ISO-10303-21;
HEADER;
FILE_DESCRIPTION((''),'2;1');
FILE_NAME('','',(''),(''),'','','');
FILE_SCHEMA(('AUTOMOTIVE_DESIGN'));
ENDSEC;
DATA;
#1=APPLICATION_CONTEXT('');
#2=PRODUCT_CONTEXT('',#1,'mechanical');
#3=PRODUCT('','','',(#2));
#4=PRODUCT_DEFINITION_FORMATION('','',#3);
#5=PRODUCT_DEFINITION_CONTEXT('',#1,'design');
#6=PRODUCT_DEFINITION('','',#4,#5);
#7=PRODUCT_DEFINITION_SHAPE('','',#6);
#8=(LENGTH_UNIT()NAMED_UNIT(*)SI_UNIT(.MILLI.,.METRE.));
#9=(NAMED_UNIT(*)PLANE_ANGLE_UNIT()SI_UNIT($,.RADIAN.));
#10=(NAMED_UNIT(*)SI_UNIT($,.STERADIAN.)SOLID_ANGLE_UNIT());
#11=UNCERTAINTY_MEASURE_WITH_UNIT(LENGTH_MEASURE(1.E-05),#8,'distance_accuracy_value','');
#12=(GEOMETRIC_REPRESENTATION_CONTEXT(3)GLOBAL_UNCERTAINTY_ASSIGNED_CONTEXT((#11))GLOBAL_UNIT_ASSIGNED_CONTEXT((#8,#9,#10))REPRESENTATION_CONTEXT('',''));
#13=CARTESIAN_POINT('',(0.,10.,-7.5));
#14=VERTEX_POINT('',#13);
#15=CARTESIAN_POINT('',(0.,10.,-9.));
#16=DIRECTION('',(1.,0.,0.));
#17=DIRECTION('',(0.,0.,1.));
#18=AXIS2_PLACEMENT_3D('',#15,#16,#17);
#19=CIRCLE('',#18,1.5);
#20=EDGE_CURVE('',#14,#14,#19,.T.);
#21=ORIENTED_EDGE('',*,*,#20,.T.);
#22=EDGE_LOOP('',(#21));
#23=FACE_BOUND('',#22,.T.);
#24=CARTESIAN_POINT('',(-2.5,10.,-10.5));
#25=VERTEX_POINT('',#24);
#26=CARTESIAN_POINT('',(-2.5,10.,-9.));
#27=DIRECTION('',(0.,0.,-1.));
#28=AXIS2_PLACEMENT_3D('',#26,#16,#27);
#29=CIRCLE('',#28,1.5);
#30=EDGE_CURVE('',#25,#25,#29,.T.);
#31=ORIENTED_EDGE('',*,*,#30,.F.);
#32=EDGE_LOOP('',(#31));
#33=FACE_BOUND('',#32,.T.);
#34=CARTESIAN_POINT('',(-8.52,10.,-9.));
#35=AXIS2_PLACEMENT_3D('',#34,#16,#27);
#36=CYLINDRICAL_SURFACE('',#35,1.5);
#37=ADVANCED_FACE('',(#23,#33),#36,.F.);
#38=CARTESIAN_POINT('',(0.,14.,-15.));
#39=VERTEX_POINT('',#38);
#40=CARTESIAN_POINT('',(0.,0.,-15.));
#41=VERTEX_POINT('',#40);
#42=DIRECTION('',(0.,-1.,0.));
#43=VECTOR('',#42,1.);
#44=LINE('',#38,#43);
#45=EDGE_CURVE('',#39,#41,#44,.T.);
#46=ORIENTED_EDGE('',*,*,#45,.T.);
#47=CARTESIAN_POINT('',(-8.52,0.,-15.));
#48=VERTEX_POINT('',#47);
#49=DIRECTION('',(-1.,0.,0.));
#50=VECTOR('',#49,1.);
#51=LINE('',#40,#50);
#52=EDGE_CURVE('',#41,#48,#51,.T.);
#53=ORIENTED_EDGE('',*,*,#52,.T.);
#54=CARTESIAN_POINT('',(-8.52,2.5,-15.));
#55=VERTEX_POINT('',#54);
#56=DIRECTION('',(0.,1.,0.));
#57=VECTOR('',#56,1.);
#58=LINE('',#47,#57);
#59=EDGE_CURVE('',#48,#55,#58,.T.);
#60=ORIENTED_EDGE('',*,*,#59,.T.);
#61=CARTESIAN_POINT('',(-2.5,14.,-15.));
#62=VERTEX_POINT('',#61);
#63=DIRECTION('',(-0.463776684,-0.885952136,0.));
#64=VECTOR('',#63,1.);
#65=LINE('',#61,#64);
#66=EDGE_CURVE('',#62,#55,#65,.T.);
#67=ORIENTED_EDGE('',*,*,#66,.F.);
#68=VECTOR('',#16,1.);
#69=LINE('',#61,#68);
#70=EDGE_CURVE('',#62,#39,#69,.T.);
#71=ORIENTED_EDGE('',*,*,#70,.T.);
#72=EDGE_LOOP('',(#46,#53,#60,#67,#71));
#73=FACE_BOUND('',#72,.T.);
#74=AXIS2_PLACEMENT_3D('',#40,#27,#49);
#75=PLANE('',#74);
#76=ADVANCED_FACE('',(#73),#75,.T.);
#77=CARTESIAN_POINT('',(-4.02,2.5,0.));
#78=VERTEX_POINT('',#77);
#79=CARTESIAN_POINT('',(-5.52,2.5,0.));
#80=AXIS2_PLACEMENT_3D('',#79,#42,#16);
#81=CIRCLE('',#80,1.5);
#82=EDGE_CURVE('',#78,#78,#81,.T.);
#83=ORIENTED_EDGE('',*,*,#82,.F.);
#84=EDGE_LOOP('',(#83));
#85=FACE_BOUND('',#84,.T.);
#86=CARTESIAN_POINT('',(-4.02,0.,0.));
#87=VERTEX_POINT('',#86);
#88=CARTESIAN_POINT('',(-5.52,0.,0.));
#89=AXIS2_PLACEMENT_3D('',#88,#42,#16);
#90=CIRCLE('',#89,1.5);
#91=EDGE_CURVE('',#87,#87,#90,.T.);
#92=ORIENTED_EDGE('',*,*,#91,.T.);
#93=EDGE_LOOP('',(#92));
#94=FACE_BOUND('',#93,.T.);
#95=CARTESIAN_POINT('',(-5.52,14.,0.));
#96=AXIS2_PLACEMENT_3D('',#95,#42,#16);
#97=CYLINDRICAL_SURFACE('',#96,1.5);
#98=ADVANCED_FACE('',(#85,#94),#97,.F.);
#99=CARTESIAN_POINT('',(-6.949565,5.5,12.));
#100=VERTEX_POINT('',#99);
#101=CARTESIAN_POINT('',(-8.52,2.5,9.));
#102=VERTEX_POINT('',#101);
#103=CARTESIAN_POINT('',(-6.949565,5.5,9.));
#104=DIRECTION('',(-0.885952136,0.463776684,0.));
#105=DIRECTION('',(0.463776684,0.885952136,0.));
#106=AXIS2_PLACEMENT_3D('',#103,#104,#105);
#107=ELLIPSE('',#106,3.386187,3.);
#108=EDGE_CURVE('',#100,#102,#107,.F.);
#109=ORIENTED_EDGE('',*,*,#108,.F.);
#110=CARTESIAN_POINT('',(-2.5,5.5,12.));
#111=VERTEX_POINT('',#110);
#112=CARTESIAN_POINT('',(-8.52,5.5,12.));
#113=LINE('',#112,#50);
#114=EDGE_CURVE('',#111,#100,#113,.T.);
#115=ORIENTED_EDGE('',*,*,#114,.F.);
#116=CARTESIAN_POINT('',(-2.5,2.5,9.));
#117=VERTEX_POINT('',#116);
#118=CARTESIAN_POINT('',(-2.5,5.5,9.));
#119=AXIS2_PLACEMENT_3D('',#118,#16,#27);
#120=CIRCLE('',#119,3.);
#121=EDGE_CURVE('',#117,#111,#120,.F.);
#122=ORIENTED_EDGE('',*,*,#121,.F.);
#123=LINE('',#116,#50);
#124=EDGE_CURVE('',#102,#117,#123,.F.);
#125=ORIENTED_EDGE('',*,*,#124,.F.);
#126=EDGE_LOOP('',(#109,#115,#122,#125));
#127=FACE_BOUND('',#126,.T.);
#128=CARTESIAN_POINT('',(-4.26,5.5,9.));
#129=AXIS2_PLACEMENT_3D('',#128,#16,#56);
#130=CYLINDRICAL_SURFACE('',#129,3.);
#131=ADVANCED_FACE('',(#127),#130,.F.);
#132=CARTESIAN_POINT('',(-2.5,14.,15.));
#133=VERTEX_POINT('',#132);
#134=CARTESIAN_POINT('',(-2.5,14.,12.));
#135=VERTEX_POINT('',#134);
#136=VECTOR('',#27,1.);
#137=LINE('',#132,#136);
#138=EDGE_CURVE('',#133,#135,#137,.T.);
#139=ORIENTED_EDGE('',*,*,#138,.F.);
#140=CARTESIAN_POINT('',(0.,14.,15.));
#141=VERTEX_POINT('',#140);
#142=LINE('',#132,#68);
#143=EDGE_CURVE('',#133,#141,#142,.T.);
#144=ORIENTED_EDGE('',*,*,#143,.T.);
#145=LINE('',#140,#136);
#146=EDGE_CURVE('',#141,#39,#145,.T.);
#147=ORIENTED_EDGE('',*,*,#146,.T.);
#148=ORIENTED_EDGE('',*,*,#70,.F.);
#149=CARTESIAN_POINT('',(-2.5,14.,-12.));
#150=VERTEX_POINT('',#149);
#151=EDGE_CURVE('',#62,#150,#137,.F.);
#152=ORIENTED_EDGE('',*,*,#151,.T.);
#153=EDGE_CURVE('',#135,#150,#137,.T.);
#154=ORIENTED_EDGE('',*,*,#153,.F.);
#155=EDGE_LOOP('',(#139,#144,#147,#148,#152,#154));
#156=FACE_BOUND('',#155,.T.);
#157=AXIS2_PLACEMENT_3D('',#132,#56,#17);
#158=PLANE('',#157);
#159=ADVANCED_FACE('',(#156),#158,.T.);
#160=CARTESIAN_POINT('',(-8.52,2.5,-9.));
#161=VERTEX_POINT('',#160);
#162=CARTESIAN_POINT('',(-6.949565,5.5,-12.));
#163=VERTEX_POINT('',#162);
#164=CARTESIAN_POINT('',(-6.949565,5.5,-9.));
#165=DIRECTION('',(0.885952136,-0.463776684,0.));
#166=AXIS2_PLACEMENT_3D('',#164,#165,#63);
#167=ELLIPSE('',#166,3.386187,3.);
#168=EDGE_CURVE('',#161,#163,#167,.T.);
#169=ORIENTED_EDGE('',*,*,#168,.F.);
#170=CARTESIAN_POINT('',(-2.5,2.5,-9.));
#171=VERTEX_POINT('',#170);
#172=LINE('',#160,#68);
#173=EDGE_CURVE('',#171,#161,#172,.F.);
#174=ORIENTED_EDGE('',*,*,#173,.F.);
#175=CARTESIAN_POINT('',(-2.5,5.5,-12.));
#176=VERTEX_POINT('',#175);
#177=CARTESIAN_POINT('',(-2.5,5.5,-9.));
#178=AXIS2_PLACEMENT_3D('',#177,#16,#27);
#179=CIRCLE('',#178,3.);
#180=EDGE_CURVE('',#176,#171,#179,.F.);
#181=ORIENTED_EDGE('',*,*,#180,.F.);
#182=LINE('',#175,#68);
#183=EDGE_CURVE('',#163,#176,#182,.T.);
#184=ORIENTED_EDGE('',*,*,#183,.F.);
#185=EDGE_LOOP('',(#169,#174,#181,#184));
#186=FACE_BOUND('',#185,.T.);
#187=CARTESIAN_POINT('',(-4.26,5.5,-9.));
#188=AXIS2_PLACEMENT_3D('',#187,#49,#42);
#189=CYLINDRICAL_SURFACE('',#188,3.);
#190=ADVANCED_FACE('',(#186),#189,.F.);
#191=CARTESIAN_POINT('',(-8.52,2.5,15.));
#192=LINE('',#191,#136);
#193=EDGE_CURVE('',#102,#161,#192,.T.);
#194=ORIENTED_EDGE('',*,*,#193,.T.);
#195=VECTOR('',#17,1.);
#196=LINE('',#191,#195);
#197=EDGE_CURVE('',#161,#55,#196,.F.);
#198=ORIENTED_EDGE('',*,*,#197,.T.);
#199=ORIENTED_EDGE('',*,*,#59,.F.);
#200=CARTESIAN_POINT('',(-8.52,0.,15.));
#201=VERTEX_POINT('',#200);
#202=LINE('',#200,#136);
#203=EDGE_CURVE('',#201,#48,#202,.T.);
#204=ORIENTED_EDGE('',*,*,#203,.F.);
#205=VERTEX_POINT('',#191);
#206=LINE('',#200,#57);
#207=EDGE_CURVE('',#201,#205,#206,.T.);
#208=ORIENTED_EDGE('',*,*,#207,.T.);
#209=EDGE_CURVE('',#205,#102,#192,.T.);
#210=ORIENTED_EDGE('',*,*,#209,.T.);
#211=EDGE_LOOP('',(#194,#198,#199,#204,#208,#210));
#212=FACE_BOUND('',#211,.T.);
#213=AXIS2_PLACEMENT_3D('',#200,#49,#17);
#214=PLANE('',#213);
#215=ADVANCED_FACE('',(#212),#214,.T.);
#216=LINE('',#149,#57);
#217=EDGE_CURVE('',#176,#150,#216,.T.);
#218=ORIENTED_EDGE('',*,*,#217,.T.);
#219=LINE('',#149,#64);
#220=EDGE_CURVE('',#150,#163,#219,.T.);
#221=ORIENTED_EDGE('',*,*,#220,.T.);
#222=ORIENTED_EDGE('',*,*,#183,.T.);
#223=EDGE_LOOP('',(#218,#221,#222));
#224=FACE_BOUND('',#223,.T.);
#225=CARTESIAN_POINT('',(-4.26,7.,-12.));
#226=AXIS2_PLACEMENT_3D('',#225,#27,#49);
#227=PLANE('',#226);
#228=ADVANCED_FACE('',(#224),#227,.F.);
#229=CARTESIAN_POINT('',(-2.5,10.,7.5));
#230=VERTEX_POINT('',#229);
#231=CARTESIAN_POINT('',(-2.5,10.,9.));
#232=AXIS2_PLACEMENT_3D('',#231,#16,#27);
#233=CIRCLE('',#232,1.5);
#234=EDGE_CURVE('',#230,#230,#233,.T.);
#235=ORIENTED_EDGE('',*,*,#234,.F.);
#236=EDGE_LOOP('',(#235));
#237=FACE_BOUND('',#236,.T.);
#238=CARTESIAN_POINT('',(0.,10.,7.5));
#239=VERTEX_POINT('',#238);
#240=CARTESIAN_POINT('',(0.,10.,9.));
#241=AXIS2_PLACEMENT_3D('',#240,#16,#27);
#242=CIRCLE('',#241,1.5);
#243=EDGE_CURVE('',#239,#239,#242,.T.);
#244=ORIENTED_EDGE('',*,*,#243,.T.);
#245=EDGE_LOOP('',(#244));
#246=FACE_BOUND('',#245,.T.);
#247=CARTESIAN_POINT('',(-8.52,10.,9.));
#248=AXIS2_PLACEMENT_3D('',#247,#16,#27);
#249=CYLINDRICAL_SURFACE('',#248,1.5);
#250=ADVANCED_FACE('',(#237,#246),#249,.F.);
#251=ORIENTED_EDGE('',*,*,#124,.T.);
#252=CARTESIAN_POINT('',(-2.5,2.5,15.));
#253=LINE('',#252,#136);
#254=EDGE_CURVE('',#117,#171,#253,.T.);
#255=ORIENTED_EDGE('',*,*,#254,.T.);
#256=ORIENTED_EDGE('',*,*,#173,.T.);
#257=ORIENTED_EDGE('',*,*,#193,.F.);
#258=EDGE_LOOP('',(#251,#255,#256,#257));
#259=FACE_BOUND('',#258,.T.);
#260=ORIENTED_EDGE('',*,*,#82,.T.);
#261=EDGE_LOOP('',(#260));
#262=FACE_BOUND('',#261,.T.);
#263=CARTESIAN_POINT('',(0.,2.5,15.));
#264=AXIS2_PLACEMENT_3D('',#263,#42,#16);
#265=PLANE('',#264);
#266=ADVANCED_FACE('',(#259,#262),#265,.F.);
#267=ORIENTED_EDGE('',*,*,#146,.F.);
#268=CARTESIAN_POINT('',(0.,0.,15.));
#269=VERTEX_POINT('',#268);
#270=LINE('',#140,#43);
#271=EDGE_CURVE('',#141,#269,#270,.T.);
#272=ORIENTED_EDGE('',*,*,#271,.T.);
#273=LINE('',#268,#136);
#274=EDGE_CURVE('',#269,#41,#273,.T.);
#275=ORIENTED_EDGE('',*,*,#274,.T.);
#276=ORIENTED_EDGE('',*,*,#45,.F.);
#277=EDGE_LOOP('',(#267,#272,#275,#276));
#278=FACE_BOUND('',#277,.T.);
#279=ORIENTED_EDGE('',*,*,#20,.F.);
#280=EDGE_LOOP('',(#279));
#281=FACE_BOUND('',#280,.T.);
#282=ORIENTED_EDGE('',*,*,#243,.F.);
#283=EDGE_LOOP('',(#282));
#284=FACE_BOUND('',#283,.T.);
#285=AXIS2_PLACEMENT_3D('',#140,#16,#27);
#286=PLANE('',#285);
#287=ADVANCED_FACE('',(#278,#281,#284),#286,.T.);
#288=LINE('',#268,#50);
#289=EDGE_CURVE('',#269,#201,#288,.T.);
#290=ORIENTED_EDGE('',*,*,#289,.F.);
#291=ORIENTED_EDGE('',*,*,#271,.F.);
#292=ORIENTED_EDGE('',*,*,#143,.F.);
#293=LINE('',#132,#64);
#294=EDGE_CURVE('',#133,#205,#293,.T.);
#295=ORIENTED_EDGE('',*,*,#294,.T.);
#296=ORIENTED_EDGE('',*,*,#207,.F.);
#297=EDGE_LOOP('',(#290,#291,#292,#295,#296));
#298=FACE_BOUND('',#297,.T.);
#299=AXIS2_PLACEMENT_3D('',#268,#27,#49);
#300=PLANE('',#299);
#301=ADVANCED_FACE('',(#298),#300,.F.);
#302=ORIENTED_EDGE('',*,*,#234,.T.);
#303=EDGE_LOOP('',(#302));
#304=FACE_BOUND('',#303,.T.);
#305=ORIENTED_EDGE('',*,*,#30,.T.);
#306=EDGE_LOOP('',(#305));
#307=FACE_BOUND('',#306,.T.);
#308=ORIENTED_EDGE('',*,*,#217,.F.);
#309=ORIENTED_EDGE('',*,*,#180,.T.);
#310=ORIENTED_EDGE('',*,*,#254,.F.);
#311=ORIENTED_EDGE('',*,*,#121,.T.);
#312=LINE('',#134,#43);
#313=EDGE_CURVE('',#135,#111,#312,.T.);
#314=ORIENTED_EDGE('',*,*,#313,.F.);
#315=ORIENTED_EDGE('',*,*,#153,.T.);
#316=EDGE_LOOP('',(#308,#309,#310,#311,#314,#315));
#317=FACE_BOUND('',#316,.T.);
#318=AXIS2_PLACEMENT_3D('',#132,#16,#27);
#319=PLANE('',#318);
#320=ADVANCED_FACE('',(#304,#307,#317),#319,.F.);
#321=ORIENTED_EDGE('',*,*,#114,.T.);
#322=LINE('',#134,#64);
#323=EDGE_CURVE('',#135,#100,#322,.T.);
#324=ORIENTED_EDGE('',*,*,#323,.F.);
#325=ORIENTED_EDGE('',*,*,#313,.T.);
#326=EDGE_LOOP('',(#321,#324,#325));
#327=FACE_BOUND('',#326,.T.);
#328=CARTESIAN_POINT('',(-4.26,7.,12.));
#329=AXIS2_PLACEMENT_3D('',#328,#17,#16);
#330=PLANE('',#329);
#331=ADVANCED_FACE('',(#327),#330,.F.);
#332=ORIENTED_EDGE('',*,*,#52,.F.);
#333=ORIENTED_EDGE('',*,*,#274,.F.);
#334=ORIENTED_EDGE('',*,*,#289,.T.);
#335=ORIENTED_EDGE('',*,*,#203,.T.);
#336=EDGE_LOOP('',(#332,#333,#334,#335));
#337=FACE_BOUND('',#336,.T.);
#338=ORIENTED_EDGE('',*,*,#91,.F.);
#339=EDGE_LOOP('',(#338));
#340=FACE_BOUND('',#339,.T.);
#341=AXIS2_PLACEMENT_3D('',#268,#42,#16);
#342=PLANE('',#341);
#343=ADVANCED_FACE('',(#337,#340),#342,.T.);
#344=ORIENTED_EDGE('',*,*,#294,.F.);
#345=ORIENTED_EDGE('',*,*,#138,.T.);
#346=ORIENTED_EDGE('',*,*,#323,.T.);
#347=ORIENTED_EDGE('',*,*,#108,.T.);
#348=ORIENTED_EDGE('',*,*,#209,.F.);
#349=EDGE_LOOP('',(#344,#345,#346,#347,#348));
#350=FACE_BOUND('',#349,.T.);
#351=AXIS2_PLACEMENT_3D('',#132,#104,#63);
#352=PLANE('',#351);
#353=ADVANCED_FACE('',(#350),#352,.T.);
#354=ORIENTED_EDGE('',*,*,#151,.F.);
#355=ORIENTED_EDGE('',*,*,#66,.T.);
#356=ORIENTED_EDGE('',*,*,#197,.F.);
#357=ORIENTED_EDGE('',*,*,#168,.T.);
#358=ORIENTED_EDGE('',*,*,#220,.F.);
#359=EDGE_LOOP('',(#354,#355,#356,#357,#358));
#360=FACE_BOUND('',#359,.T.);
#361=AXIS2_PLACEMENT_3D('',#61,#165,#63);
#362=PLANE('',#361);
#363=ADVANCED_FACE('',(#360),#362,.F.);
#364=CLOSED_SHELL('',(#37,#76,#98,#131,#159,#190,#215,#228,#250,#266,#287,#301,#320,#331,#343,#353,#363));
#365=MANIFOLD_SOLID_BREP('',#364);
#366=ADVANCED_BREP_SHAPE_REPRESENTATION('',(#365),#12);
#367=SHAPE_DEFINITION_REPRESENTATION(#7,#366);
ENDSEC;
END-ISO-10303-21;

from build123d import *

# Parameters (mm, degrees)
EXTRUDE_1_DEPTH     = 15
SKETCH_3_R          = 1.5
CUT_EXTRUDE_1_DEPTH = 23.216894472
RIB_1_REACH         = 36.185
SKETCH_4_WALL_W     = 83.349688256
SKETCH_4_WALL_H     = 3
SKETCH_5_R          = 1.5
CUT_EXTRUDE_2_DEPTH = 23.216894472
FILLET_1_R          = 3


with BuildPart() as part:
    # 草图2 → 拉伸-薄壁1 (new, symmetric)
    with BuildSketch(Plane.XY):
        Polygon((0, 14), (0, 0), (-8.52, 0), (-8.52, 2.5), (-2.5, 2.5), (-2.5, 14), align=None)
    extrude(amount=EXTRUDE_1_DEPTH, both=True)

    # 草图3 → 切除-拉伸1 (cut, through all)
    with BuildSketch(Plane.XZ):
        with Locations((-5.52, 0)):
            Circle(SKETCH_3_R)
    extrude(amount=-CUT_EXTRUDE_1_DEPTH, mode=Mode.SUBTRACT)

    # 草图4 wall → 筋1 (add, up to next)
    with BuildSketch(Plane(origin=(-5.51, 8.25, 15), x_dir=(-0.463776683525, -0.885952136302, 0), z_dir=(0.885952136302, -0.463776683525, 0)), mode=Mode.PRIVATE) as rib_1_sk1:
        with Locations((0, 1.5)):
            Rectangle(SKETCH_4_WALL_W, SKETCH_4_WALL_H)
    rib_1_tool1 = extrude(rib_1_sk1.sketch, amount=RIB_1_REACH, mode=Mode.PRIVATE) - part.part
    rib_1 = rib_1_tool1.solids().sort_by_distance((-5.51, 8.25, 15))[0]
    add(rib_1)

    # 镜向1: 筋1 across plane
    add(rib_1.mirror(Plane.XY))

    # 草图5 → 切除-拉伸2 (cut, through all)
    with BuildSketch(Plane(origin=(0, 0, 0), x_dir=(0, 0, -1), z_dir=(1, 0, 0))):
        with Locations((-9, 10)):
            Circle(SKETCH_5_R)
        with Locations((9, 10)):
            Circle(SKETCH_5_R)
    extrude(amount=-CUT_EXTRUDE_2_DEPTH, mode=Mode.SUBTRACT)

    # 圆角1
    fillet_1_edges = [part.edges().sort_by_distance(p)[0] for p in [
        (-5.51, 2.5, 12),
        (-5.51, 2.5, -12),
    ]]
    fillet(fillet_1_edges, radius=FILLET_1_R)


solid = part.part
